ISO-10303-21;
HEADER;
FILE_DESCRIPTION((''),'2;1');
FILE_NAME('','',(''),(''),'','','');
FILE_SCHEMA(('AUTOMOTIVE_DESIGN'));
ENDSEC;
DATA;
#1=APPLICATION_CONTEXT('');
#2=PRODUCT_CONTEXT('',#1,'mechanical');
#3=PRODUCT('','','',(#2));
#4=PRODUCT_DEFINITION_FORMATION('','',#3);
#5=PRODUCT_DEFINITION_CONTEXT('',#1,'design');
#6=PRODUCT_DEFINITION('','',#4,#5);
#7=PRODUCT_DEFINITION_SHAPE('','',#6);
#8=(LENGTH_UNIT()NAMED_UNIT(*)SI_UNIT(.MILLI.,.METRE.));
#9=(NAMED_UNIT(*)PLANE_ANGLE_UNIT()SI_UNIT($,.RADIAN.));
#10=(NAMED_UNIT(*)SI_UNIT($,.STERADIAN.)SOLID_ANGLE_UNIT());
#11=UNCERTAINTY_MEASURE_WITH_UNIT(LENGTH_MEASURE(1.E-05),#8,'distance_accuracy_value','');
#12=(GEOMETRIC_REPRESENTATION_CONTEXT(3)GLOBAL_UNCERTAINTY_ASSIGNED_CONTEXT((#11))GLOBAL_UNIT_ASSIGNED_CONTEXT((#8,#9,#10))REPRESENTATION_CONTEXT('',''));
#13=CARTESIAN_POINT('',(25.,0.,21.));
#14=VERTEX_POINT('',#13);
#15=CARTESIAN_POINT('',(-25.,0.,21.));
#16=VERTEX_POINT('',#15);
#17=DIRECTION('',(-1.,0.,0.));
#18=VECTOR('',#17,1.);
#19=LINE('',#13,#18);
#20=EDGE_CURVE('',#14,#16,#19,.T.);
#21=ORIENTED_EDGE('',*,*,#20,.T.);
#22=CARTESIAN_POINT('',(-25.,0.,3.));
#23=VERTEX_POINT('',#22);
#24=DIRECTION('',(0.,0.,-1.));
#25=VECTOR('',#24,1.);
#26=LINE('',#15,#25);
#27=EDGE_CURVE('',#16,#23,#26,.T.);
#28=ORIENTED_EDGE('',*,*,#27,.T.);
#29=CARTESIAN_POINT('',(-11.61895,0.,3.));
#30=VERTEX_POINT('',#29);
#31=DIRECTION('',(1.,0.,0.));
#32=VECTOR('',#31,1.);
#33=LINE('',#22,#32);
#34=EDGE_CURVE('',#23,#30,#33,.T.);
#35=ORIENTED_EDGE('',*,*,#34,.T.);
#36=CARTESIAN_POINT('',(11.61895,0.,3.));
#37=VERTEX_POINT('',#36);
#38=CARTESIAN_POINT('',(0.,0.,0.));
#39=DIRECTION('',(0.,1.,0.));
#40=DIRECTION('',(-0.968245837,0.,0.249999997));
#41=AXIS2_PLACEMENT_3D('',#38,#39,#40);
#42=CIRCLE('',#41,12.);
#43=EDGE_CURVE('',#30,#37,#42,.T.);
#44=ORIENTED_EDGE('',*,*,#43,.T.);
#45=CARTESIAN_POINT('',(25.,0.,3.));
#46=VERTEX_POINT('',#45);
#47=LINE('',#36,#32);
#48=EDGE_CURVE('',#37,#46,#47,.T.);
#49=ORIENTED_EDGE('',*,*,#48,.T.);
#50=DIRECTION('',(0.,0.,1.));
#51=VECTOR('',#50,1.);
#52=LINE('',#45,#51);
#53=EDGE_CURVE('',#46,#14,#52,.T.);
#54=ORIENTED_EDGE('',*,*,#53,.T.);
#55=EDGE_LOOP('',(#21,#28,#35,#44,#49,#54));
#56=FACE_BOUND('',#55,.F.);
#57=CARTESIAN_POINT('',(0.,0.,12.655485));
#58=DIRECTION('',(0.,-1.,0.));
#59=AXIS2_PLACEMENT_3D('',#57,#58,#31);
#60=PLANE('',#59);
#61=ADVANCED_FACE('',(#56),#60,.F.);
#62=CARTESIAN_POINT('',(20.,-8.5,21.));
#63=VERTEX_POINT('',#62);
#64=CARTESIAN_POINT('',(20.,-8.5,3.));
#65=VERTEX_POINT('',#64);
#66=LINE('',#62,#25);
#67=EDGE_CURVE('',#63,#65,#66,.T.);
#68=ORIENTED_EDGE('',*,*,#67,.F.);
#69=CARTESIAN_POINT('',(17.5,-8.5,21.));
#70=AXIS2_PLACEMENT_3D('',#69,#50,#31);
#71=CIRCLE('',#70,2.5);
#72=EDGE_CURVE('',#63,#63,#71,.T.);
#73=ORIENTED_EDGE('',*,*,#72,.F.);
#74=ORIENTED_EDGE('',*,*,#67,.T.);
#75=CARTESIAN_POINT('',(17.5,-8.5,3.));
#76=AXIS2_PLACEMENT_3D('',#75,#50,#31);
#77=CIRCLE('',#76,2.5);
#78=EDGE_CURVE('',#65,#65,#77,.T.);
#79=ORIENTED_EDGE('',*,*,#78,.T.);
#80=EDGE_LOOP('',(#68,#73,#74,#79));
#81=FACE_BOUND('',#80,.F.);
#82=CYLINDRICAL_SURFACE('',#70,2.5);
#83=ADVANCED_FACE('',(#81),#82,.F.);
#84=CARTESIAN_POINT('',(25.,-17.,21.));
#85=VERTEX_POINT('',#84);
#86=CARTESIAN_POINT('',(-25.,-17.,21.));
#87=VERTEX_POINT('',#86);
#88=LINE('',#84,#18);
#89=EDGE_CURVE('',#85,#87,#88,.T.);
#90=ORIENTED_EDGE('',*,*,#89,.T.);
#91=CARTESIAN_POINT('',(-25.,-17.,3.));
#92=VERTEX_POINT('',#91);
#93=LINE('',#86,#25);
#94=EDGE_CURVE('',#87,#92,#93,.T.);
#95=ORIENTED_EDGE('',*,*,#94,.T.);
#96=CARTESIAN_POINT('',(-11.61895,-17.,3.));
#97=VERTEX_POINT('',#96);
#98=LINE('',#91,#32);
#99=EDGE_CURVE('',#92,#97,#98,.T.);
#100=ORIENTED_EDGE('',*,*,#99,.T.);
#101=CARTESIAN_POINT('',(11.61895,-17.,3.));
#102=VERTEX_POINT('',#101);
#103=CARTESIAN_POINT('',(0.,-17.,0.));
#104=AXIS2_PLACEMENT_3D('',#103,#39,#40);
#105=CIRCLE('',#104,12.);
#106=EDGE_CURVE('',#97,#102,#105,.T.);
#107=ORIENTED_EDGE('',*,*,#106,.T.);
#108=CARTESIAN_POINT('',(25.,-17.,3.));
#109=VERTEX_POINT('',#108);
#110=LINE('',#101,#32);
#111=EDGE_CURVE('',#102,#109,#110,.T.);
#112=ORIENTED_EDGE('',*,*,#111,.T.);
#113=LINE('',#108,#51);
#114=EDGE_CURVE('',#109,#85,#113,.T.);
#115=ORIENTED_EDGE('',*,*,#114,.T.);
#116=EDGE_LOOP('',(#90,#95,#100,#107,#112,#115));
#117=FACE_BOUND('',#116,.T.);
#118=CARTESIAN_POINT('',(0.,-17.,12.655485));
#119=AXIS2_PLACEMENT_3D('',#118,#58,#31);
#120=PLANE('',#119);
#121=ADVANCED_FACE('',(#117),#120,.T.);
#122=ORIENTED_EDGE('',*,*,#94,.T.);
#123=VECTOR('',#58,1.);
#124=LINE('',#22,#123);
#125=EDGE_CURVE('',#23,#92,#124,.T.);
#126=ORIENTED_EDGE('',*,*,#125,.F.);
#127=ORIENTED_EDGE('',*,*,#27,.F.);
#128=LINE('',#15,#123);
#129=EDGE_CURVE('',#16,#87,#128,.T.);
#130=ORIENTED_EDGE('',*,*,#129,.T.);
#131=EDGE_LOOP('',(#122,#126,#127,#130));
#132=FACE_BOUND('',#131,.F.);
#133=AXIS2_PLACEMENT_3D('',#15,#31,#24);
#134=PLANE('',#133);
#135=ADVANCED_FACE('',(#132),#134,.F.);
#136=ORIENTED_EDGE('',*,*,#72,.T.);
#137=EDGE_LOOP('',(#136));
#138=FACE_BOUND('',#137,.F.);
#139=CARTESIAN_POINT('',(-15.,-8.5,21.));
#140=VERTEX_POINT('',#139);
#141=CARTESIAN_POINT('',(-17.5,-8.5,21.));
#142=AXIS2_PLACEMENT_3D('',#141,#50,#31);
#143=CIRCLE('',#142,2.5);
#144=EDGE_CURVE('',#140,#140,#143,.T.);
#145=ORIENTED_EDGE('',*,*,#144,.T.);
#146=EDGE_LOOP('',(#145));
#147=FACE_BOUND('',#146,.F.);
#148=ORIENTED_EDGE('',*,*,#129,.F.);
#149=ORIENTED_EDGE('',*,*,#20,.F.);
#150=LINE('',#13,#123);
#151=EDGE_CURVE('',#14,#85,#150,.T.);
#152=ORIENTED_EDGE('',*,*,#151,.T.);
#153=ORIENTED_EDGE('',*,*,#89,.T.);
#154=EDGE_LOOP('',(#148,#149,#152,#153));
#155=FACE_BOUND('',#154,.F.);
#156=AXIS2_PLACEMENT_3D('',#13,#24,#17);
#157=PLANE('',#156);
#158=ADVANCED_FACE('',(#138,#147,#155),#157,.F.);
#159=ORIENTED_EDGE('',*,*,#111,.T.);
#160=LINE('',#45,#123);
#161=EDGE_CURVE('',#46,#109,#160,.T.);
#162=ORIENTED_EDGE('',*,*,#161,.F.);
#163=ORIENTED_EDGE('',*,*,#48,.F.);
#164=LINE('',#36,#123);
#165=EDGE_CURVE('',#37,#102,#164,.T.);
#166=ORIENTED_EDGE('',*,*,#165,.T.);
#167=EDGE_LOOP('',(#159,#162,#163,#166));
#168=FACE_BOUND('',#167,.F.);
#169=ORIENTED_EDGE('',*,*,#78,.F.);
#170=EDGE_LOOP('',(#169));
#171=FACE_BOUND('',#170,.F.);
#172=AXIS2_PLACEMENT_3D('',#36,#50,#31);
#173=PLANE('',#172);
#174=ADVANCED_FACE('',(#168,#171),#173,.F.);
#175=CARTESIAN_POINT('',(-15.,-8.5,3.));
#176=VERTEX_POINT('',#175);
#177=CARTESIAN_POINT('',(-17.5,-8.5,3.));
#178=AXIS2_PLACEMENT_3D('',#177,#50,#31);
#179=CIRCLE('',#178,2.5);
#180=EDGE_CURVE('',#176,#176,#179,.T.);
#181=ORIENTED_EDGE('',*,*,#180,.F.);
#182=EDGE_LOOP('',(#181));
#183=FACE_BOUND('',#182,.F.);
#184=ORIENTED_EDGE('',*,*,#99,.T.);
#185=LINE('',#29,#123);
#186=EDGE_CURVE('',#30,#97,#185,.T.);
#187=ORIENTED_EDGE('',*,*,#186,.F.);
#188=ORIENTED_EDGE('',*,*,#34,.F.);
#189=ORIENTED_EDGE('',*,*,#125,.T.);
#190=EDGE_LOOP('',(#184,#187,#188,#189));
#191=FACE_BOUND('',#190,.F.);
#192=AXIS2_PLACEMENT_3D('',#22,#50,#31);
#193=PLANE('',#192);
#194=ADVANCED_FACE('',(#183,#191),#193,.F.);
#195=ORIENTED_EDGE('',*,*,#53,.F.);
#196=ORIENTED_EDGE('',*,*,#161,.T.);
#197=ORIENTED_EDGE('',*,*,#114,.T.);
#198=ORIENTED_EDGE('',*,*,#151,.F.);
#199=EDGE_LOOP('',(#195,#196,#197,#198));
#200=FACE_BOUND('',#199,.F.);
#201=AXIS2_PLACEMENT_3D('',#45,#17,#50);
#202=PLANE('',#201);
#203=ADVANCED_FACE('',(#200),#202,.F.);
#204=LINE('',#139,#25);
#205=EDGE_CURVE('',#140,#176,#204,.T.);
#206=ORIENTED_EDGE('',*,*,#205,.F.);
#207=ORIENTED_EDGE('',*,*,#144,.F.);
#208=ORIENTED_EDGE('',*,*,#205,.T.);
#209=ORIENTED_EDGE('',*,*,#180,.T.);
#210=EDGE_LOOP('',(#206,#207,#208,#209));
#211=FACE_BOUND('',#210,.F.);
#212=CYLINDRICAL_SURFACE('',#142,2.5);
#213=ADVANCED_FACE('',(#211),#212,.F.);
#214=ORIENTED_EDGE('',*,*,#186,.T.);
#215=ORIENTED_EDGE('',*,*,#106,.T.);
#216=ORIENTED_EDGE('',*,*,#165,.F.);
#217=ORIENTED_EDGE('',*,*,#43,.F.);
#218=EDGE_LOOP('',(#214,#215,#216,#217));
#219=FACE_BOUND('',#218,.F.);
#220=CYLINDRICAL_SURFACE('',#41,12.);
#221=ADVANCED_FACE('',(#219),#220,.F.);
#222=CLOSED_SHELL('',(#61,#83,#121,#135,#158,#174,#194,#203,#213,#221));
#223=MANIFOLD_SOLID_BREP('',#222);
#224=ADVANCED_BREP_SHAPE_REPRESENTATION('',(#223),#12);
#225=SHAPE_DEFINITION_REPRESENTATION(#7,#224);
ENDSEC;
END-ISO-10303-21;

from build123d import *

# Parameters (mm, degrees)
F1_DEPTH = 17
F2_R     = 2.5
F3_DEPTH = 44.289937


with BuildPart() as f1:
    # F0 (on Front) → F1 (new body)
    with BuildSketch(Plane.XZ):
        with BuildLine():
            ThreePointArc((-11.61895, 3), (0, 12), (11.61895, 3))
            Line((11.61895, 3), (25, 3))
            Line((25, 3), (25, 21))
            Line((25, 21), (-25, 21))
            Line((-25, 21), (-25, 3))
            Line((-25, 3), (-11.61895, 3))
        make_face()
    extrude(amount=F1_DEPTH)

    # F2 (on face) → F3 (cut)
    with BuildSketch(Plane.XY.offset(21)):
        with Locations((-17.5, -8.5)):
            Circle(F2_R)
        with Locations((17.5, -8.5)):
            Circle(F2_R)
    extrude(amount=-F3_DEPTH, mode=Mode.SUBTRACT)


solid = f1.part
